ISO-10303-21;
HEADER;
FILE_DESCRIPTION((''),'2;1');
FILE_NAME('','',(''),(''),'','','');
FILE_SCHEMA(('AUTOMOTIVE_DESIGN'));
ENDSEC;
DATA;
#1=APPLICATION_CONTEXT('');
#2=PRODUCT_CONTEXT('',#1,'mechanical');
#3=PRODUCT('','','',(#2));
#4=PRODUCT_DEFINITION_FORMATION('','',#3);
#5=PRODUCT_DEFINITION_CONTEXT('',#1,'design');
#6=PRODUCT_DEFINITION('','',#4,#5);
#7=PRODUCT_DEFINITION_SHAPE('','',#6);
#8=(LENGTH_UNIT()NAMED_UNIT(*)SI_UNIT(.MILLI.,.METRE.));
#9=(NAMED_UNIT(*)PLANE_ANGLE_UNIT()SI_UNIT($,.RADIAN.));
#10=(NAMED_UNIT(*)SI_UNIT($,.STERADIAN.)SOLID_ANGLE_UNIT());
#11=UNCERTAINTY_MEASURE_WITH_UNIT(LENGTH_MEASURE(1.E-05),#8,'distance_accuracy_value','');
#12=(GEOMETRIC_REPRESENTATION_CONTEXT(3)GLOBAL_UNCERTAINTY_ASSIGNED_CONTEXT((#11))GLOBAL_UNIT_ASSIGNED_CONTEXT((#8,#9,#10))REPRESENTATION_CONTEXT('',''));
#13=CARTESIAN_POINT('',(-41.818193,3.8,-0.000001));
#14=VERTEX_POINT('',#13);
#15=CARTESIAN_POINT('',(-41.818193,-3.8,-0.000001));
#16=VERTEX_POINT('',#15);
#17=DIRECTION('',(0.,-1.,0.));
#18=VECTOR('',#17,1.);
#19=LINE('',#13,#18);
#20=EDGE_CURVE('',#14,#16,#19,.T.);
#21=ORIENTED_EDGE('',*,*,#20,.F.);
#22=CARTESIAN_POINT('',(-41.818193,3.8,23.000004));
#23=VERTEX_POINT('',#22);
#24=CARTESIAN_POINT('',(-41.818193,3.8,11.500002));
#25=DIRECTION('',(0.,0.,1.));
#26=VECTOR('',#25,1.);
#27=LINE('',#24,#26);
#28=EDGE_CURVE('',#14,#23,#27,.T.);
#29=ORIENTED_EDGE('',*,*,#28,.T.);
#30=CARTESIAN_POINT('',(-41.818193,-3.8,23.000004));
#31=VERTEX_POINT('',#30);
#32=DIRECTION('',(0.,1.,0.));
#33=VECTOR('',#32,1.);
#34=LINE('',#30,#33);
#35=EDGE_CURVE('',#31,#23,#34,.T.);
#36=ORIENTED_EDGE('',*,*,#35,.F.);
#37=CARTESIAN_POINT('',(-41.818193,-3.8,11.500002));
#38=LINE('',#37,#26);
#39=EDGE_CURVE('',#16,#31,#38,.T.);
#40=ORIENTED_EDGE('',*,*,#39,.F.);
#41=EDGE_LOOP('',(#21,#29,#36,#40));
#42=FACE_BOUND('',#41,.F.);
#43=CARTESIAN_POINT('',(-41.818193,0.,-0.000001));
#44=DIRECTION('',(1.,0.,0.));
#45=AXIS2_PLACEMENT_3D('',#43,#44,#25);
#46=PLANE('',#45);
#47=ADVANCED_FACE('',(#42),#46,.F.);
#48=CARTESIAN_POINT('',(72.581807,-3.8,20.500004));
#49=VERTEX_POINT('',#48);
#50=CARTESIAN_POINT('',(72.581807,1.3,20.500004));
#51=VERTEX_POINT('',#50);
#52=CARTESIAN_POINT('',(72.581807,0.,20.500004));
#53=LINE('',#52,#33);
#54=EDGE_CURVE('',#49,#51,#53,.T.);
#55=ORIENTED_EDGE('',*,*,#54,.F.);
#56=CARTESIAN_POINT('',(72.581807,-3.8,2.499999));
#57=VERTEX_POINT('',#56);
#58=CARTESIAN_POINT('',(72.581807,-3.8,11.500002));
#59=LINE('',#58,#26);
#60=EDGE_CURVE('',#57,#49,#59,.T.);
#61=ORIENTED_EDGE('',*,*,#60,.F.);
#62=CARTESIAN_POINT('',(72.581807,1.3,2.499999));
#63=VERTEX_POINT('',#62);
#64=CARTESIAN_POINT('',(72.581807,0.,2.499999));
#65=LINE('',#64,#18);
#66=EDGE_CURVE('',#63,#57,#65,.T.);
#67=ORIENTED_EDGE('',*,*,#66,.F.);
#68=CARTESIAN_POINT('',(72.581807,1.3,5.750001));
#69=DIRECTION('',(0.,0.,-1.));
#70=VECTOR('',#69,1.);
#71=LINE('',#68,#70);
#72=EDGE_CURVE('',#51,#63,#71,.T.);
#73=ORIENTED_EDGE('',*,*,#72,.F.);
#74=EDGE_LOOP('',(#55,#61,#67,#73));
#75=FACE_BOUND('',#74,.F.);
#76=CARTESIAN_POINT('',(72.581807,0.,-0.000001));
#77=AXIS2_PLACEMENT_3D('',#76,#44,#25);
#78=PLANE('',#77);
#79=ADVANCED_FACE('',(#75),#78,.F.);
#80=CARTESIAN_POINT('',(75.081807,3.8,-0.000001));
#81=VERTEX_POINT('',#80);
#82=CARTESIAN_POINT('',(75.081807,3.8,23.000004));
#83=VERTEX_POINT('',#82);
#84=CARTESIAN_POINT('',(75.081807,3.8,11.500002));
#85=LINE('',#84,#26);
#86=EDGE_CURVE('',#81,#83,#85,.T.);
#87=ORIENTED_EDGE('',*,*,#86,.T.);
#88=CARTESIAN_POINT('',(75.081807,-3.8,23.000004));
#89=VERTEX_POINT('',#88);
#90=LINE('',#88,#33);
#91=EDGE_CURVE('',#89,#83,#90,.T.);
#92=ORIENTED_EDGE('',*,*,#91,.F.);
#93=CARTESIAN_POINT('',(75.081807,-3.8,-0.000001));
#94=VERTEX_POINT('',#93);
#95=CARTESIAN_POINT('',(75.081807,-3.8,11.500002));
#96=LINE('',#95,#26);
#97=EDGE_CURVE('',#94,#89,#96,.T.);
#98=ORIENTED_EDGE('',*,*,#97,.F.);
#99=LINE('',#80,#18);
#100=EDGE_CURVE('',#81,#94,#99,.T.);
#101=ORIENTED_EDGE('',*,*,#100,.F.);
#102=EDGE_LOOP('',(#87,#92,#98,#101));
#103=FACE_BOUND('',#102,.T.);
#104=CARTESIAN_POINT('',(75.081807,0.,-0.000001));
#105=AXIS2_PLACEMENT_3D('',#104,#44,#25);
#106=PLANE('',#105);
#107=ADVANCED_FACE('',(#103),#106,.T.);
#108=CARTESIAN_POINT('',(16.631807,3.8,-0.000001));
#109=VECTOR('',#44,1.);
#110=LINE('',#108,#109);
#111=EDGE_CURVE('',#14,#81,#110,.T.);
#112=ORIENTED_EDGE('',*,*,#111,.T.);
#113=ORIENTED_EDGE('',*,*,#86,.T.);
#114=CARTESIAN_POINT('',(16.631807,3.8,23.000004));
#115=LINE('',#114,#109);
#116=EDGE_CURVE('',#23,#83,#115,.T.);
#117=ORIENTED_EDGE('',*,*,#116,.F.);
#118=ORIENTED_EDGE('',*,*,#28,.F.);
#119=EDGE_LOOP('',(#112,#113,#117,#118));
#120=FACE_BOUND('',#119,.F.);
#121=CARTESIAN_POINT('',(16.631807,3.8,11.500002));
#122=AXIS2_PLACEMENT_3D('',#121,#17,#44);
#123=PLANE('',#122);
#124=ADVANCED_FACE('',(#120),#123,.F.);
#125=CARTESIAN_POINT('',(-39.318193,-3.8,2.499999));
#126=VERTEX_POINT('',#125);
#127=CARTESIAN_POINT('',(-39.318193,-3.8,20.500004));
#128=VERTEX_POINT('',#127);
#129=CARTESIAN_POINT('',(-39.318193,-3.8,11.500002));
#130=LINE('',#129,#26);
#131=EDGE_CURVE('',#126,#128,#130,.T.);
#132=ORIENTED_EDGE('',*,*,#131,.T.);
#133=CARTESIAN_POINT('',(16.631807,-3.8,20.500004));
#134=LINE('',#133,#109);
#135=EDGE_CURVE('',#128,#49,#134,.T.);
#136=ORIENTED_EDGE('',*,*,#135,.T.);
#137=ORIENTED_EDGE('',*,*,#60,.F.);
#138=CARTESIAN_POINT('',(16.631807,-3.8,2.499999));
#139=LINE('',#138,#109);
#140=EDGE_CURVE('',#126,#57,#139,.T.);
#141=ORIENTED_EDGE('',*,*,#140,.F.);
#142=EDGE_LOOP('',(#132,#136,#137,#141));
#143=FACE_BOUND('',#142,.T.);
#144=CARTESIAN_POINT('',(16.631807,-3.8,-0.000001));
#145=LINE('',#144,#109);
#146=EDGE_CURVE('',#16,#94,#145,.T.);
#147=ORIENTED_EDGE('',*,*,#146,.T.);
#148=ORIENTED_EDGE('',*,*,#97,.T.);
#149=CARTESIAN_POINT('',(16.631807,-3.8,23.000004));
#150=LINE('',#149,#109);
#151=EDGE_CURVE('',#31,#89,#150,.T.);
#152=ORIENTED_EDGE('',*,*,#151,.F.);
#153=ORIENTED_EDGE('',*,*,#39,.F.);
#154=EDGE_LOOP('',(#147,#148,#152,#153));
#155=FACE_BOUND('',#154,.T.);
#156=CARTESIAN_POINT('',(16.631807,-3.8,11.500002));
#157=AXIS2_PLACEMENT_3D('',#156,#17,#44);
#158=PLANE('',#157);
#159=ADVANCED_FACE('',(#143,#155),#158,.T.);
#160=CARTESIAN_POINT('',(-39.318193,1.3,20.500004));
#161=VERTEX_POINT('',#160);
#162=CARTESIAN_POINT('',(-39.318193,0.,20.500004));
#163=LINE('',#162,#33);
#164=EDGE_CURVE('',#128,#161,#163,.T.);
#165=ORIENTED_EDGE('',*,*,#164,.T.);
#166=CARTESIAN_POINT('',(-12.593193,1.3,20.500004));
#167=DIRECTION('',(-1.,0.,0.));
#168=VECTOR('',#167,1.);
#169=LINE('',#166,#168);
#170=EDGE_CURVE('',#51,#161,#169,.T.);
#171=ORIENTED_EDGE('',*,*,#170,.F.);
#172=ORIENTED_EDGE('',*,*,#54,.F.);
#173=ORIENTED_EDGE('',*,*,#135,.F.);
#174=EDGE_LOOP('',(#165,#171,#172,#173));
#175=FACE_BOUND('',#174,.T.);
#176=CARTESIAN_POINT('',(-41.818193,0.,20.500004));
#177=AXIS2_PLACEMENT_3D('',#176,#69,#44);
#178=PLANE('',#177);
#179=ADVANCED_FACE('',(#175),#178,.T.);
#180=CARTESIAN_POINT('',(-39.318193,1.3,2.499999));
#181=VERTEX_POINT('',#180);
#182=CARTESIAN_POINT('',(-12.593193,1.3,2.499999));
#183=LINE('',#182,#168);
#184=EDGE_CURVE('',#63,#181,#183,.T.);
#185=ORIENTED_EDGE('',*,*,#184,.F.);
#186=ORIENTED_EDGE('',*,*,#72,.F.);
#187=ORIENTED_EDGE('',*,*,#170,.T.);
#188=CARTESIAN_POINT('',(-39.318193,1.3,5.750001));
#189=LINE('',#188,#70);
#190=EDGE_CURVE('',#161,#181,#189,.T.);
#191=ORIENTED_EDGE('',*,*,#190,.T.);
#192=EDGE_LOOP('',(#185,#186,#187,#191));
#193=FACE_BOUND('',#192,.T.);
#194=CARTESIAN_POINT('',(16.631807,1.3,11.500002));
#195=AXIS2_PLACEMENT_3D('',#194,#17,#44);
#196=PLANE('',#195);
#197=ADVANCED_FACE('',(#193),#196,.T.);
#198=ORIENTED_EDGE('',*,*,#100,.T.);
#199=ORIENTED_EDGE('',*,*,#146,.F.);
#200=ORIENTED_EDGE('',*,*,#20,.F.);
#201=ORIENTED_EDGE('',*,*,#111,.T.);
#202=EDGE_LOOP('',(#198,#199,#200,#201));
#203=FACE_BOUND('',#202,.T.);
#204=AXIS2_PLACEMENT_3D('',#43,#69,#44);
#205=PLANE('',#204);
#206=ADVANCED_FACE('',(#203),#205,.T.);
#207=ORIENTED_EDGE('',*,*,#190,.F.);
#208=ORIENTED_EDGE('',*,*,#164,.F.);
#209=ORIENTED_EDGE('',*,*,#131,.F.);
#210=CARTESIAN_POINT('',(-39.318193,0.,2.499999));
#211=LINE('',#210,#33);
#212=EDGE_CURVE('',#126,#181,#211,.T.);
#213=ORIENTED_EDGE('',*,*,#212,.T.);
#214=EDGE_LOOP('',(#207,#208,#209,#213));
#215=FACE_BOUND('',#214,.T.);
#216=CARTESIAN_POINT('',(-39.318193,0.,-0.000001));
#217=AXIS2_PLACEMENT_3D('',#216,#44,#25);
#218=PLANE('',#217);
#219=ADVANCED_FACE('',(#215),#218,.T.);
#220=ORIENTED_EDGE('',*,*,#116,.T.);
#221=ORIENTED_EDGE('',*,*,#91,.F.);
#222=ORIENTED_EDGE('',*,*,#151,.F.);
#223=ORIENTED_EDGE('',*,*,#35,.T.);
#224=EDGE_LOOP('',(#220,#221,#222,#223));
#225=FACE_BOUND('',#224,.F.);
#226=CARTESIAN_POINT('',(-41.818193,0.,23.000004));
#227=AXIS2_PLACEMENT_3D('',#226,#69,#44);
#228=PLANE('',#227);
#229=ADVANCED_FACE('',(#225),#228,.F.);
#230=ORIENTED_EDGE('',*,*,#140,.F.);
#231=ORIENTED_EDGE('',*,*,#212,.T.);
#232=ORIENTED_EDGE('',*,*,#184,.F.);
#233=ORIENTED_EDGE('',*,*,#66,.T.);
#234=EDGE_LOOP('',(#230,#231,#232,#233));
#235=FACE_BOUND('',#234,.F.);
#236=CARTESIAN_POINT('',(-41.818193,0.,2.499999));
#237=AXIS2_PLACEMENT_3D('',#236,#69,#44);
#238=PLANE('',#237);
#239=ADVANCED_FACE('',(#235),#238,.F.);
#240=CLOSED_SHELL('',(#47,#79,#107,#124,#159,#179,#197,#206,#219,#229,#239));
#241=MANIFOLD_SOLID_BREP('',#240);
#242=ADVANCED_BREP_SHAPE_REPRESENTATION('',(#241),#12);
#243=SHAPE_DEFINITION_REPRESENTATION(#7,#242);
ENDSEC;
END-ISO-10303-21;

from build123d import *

# Parameters (mm, degrees)
F0_W     = 116.9
F0_H     = 23.000005
F1_DEPTH = 3.8
F2_T     = -2.5


with BuildPart() as f1:
    # F0 (on Front) → F1 (new body, symmetric)
    with BuildSketch(Plane.XZ):
        with Locations((16.631807, 11.500002)):
            Rectangle(F0_W, F0_H)
    extrude(amount=F1_DEPTH, both=True)

    # F2
    f2_openings = [f1.faces().sort_by_distance(p)[0] for p in [
        (16.631807, -3.8, 11.500002),
    ]]
    offset(amount=F2_T, openings=f2_openings)


solid = f1.part
